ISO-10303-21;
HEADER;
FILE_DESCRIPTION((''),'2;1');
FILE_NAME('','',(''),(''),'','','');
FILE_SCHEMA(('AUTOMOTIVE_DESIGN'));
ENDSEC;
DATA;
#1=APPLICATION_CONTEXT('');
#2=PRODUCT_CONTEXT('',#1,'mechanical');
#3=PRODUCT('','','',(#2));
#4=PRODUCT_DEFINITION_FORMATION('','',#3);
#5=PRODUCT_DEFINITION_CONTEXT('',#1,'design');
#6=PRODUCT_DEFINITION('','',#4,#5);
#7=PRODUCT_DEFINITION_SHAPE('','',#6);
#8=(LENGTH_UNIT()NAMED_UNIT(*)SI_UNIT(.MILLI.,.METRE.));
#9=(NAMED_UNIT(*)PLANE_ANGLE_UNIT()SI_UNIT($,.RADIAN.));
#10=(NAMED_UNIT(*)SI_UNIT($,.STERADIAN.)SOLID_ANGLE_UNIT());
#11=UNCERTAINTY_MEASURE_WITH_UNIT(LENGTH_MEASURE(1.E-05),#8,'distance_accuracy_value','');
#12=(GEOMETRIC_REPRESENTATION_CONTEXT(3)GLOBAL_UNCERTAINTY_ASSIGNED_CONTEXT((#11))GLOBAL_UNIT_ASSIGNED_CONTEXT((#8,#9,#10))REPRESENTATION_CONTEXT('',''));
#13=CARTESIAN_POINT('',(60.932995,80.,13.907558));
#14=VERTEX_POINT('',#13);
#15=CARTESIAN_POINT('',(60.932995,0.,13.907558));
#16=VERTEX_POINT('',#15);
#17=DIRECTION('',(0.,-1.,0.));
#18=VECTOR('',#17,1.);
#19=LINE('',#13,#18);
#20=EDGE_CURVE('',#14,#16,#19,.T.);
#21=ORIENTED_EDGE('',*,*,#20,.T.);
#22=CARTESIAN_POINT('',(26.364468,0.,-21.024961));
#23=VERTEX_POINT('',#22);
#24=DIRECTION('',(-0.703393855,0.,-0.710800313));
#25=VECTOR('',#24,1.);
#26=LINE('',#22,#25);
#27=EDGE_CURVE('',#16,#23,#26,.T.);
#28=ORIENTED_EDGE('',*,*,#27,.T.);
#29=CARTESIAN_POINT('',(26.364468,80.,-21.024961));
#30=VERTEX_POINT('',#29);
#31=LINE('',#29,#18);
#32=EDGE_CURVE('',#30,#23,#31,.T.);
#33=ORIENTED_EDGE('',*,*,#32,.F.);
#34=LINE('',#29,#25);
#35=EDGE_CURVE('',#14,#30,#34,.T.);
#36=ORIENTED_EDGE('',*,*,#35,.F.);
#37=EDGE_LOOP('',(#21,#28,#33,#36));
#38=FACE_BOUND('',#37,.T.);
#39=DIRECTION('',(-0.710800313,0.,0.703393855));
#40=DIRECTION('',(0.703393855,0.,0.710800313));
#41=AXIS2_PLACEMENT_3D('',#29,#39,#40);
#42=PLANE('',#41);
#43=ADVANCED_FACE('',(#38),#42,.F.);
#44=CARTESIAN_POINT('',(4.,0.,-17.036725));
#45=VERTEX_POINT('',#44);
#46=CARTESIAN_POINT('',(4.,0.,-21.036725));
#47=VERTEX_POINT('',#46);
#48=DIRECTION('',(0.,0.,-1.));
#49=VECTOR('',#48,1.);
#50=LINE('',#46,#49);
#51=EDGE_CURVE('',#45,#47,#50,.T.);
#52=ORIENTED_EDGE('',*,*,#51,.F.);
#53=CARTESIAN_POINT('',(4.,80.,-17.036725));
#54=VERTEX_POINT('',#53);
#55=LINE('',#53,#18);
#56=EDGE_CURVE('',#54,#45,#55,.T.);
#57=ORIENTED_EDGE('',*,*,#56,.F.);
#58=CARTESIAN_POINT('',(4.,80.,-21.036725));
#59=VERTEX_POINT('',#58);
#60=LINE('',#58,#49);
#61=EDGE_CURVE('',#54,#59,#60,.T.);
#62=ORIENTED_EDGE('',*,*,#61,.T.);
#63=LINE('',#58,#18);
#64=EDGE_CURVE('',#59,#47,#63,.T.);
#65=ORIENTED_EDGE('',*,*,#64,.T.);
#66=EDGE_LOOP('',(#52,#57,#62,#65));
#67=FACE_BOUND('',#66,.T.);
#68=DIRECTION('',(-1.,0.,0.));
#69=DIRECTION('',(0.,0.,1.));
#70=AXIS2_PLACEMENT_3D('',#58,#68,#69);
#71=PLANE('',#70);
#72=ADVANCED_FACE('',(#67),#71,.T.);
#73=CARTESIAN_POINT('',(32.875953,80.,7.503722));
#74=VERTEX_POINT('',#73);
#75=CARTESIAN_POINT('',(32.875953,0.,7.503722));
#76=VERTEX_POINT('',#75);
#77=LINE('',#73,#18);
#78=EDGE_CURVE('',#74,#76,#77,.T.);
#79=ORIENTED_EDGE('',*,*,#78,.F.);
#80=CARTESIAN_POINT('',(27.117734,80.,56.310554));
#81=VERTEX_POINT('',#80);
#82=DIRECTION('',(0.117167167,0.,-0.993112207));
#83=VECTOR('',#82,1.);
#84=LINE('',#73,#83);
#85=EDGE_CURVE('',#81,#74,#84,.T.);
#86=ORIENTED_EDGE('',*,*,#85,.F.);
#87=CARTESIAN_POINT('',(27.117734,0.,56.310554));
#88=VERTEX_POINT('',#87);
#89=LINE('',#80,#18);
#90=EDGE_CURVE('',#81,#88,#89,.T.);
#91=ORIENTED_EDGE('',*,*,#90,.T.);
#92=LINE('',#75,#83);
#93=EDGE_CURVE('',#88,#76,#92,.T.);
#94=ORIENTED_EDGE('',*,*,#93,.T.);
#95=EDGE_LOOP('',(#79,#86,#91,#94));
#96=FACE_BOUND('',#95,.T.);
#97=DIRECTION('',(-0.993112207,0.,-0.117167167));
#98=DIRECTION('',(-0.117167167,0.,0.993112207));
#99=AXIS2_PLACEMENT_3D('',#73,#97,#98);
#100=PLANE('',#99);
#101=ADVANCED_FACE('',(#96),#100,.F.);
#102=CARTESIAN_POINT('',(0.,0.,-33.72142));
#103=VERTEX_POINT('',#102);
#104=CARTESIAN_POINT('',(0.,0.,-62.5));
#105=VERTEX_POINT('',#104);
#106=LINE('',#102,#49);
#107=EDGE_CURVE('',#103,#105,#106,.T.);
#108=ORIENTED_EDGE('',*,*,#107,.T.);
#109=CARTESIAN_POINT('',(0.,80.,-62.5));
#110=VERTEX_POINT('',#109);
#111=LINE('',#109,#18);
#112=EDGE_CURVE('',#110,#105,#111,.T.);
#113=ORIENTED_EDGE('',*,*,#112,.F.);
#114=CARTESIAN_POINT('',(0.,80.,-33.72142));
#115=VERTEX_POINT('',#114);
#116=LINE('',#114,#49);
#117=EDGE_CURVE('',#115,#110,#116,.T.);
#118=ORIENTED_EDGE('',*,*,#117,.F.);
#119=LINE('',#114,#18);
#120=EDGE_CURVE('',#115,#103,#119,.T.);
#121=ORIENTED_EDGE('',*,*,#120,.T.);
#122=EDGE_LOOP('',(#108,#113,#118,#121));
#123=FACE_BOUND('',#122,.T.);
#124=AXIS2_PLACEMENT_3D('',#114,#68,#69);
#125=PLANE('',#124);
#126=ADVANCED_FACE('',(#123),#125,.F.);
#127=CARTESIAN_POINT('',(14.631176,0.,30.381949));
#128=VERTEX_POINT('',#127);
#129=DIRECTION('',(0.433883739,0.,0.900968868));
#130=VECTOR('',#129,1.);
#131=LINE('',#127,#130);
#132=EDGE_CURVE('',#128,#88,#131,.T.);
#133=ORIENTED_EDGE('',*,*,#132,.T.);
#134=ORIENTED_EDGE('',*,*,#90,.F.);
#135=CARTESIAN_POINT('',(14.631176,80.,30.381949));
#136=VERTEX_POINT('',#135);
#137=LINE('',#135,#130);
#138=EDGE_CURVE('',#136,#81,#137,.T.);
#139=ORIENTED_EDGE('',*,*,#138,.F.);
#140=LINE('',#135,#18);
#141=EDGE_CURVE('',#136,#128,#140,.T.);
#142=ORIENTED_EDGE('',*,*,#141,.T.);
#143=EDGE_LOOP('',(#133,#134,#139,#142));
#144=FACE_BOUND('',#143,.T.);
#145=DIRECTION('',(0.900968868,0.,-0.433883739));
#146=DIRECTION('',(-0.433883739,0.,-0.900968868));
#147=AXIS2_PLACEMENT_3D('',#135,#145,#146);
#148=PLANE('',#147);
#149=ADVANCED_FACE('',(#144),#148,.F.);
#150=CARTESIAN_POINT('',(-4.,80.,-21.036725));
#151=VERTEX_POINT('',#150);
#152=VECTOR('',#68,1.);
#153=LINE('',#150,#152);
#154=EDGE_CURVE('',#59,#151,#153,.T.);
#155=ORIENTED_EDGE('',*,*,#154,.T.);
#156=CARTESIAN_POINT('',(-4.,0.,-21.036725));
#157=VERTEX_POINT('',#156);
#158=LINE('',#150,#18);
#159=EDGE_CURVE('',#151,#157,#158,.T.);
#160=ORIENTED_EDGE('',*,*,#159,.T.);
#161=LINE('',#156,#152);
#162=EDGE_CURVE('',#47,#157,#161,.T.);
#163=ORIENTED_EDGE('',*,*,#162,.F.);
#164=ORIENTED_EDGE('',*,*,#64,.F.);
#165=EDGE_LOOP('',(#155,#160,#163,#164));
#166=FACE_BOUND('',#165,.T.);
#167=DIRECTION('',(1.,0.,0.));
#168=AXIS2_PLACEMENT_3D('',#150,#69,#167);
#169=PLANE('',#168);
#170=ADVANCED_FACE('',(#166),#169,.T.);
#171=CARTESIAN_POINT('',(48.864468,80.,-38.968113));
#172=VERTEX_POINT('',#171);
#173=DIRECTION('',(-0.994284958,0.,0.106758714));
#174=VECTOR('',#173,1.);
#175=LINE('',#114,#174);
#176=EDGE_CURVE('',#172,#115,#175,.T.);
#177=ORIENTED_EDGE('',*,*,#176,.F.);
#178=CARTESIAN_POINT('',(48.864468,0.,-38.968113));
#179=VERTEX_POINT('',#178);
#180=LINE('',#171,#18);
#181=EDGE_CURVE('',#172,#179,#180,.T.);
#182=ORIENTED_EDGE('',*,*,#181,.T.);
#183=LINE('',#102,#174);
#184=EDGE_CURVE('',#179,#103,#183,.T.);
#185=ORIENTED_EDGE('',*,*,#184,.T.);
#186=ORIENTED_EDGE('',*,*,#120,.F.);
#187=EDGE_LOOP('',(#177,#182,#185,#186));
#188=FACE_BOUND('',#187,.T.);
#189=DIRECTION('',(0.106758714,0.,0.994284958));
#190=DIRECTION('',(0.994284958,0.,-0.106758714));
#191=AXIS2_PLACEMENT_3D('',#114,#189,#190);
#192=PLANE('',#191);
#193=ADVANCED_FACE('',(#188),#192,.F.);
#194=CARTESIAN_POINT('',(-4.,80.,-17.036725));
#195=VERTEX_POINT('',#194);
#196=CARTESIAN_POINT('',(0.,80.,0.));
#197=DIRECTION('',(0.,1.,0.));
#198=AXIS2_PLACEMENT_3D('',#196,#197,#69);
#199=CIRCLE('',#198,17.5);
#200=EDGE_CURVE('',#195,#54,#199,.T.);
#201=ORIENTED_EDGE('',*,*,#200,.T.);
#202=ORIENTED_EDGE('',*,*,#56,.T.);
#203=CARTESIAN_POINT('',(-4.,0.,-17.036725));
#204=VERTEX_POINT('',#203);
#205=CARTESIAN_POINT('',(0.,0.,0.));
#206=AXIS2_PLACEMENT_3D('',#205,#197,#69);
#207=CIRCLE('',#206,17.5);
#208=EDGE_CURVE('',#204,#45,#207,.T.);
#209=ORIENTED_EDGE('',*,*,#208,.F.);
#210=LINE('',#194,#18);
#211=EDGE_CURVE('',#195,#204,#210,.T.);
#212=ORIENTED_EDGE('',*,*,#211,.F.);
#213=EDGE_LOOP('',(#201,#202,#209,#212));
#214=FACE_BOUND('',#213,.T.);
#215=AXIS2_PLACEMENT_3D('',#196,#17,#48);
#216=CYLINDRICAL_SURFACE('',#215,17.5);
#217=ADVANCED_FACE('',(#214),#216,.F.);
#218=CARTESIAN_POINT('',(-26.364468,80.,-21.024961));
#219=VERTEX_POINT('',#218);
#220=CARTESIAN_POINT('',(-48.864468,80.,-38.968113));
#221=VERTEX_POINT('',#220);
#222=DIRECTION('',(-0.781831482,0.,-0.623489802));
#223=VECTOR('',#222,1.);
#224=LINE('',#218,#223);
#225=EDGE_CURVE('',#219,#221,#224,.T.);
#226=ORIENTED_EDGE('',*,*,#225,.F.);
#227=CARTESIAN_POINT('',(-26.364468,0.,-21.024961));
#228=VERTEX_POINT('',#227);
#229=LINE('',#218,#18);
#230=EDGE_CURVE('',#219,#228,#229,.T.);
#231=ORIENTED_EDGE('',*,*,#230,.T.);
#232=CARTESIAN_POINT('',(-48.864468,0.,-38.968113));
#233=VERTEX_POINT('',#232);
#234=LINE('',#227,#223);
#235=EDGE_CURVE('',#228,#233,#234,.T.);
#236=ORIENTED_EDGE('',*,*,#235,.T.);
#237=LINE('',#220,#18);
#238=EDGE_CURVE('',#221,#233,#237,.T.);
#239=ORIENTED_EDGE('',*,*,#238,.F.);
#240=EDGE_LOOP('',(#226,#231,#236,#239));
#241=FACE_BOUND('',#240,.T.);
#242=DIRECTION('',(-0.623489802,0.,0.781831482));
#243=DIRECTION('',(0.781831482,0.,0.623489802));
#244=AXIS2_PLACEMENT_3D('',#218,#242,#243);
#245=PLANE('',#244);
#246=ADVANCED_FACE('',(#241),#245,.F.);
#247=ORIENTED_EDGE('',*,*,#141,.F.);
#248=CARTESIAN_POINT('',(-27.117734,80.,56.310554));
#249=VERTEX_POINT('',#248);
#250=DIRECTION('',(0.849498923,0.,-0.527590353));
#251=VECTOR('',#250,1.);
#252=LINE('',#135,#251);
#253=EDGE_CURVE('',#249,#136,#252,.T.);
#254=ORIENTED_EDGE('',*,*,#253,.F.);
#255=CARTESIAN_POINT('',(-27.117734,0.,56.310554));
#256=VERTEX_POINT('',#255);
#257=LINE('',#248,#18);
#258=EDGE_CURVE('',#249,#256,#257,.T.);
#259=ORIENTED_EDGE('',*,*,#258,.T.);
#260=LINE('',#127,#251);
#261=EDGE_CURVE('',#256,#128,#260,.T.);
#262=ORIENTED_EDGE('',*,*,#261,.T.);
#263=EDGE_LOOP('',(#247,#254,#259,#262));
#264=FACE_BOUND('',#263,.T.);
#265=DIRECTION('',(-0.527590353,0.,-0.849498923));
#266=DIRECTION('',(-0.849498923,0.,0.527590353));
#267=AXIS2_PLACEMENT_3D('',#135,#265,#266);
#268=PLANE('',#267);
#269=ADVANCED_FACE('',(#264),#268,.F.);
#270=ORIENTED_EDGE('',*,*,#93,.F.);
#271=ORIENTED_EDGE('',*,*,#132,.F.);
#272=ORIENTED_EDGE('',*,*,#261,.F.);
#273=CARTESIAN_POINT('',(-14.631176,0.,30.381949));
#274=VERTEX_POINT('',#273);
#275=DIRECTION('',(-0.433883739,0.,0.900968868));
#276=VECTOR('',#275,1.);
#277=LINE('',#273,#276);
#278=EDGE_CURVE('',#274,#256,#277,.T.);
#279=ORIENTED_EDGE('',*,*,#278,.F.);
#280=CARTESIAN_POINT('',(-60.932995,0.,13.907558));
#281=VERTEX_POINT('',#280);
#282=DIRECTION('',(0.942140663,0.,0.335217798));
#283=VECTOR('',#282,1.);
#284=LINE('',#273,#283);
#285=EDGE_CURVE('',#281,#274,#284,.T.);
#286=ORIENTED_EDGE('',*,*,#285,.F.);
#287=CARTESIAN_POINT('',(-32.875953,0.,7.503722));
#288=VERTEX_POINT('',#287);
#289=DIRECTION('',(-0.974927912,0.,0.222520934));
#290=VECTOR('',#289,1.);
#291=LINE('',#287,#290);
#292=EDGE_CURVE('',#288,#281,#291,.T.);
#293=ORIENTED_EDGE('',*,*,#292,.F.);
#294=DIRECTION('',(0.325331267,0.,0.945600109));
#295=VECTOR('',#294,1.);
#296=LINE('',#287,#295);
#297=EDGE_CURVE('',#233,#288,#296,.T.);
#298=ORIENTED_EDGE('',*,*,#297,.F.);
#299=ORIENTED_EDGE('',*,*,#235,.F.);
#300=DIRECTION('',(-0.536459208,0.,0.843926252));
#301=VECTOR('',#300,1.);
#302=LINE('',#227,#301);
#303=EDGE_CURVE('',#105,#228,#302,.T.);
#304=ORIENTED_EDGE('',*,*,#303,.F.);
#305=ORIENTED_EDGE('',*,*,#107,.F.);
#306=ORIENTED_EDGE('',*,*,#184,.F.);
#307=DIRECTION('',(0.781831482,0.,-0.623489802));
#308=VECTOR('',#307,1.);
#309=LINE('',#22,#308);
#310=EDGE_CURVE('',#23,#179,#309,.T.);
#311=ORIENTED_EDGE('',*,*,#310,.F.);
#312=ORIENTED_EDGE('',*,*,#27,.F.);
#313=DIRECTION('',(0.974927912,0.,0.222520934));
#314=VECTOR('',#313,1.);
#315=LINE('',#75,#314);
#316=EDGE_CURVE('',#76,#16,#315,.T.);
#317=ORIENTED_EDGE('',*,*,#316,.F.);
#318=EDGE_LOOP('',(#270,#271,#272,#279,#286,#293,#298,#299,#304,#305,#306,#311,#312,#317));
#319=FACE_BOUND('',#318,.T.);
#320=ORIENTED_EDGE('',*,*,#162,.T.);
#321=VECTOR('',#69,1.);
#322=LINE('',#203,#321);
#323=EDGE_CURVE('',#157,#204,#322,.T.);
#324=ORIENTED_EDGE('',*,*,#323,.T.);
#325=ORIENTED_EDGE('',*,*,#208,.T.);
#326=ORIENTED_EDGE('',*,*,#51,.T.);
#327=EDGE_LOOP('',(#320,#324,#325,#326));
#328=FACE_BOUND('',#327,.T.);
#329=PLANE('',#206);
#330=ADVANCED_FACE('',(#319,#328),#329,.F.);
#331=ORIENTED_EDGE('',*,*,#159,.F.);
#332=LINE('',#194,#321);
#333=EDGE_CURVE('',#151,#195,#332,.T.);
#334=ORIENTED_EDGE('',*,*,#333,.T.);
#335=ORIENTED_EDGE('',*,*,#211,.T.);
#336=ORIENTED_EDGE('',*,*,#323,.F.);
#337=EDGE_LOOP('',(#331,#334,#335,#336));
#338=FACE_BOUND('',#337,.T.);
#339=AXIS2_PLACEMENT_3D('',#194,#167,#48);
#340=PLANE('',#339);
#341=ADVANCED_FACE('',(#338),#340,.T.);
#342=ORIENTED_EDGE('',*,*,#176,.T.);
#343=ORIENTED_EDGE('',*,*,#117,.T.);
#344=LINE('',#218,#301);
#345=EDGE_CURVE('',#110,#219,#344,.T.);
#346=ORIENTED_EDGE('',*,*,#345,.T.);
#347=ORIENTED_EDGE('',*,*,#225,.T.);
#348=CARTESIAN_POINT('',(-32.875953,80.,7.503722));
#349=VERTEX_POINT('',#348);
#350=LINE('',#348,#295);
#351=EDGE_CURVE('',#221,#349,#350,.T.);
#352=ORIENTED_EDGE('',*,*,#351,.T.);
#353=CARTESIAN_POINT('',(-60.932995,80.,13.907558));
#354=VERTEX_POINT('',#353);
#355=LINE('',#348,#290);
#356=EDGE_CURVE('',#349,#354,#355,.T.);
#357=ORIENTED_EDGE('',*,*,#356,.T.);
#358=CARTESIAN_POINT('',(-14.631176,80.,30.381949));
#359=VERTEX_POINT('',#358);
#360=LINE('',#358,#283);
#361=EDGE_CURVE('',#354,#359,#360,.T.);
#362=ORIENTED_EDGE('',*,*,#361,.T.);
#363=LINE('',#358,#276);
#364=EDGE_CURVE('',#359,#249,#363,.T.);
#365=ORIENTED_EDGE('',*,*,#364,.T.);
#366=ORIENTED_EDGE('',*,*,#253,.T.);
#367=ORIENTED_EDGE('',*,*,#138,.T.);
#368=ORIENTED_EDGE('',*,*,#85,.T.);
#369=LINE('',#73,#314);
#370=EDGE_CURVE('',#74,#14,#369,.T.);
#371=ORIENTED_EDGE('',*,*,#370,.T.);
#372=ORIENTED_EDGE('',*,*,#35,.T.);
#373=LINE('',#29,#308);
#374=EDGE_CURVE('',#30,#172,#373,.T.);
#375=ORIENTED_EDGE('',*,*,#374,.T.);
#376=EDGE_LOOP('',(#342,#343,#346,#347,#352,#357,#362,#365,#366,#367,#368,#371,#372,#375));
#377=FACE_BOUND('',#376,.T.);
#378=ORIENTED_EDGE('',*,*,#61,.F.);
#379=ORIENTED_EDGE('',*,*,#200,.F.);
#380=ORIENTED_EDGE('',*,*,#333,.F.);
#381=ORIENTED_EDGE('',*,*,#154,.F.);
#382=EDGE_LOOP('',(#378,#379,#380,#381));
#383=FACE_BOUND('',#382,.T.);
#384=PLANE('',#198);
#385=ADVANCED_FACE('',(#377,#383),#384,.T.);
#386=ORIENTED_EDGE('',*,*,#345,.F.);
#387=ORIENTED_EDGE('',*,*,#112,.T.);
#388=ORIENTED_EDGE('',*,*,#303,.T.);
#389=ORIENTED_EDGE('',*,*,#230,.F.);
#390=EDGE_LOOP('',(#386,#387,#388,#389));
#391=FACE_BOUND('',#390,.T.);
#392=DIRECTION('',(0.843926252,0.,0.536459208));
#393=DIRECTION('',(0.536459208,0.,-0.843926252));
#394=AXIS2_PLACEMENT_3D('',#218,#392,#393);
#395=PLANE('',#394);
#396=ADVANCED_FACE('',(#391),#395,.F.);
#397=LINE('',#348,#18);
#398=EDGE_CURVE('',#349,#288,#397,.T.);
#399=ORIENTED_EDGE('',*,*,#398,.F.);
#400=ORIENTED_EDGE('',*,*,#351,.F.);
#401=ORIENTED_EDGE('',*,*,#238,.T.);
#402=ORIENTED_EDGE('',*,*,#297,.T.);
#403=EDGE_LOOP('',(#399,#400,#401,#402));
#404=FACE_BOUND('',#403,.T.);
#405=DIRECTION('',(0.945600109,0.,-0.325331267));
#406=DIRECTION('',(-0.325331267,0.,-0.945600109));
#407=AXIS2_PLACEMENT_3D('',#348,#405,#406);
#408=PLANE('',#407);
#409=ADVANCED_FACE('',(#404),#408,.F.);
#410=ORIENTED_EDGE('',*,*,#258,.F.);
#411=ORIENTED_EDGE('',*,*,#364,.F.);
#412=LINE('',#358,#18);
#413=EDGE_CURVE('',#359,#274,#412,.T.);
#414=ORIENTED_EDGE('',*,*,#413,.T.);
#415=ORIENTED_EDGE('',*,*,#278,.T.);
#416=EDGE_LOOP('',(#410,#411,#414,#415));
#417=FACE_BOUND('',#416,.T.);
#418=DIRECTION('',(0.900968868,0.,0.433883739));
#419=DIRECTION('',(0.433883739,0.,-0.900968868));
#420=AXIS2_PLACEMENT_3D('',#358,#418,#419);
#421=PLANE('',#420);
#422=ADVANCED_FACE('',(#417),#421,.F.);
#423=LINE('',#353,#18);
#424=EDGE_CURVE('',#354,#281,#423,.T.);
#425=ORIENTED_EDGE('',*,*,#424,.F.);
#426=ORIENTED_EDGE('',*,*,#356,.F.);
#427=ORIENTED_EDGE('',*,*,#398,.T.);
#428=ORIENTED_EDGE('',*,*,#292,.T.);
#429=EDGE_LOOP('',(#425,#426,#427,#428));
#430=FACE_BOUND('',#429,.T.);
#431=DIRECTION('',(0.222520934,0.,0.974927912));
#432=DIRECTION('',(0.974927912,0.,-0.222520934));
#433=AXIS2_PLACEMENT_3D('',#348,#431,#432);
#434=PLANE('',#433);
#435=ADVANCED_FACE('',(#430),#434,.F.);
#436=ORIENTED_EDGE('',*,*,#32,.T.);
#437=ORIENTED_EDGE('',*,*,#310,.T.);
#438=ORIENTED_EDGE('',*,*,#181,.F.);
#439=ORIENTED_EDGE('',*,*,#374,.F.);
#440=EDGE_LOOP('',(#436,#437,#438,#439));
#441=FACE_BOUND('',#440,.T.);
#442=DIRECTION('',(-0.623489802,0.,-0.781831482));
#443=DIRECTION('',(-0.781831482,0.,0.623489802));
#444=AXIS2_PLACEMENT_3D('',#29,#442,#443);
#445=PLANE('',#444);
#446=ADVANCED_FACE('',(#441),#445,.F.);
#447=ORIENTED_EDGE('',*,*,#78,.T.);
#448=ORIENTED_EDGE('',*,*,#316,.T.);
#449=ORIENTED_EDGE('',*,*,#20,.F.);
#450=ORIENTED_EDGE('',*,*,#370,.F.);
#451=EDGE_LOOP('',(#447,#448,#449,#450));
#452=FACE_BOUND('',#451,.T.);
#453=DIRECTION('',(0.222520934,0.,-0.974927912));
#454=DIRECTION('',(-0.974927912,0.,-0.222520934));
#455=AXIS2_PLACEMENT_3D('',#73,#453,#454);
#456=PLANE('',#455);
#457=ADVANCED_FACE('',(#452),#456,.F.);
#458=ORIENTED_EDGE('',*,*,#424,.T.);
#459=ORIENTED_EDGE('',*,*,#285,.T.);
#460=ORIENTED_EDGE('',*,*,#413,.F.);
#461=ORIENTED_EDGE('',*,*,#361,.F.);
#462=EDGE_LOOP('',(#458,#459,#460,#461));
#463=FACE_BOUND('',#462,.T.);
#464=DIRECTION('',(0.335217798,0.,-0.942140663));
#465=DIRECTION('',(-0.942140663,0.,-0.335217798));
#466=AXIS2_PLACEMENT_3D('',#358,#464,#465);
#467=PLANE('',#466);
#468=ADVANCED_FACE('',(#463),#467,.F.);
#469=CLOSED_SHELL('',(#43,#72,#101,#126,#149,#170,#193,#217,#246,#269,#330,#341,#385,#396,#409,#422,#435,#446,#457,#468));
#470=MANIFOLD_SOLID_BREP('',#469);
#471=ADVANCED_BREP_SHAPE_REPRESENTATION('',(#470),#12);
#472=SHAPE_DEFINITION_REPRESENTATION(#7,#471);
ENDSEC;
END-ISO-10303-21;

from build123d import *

# Parameters (mm, degrees)
BOSS_EXTRUDE1_DEPTH = 80


with BuildPart() as part:
    # Sketch1 → Boss-Extrude1 (new body)
    with BuildSketch(Plane(origin=(0, 0, 0), x_dir=(1, 0, 0), z_dir=(0, 1, 0))):
        Polygon((0, 33.721419827), (0, 62.5), (-26.364467654, 21.024961366), (-48.864467654, 38.968112616), (-32.875953428, -7.503721834), (-60.932994511, -13.907558372), (-14.631175723, -30.381949446), (-27.117733695, -56.310554244), (14.631175723, -30.381949446), (27.117733695, -56.310554244), (32.875953428, -7.503721834), (60.932994511, -13.907558372), (26.364467654, 21.024961366), (48.864467654, 38.968112616), align=None)
        with BuildLine():
            Line((-4, 17.036725037), (-4, 21.036725037))
            Line((-4, 21.036725037), (4, 21.036725037))
            Line((4, 21.036725037), (4, 17.036725037))
            ThreePointArc((4, 17.036725037), (0, -17.5), (-4, 17.036725037))
        make_face(mode=Mode.SUBTRACT)
    extrude(amount=BOSS_EXTRUDE1_DEPTH)


solid = part.part
